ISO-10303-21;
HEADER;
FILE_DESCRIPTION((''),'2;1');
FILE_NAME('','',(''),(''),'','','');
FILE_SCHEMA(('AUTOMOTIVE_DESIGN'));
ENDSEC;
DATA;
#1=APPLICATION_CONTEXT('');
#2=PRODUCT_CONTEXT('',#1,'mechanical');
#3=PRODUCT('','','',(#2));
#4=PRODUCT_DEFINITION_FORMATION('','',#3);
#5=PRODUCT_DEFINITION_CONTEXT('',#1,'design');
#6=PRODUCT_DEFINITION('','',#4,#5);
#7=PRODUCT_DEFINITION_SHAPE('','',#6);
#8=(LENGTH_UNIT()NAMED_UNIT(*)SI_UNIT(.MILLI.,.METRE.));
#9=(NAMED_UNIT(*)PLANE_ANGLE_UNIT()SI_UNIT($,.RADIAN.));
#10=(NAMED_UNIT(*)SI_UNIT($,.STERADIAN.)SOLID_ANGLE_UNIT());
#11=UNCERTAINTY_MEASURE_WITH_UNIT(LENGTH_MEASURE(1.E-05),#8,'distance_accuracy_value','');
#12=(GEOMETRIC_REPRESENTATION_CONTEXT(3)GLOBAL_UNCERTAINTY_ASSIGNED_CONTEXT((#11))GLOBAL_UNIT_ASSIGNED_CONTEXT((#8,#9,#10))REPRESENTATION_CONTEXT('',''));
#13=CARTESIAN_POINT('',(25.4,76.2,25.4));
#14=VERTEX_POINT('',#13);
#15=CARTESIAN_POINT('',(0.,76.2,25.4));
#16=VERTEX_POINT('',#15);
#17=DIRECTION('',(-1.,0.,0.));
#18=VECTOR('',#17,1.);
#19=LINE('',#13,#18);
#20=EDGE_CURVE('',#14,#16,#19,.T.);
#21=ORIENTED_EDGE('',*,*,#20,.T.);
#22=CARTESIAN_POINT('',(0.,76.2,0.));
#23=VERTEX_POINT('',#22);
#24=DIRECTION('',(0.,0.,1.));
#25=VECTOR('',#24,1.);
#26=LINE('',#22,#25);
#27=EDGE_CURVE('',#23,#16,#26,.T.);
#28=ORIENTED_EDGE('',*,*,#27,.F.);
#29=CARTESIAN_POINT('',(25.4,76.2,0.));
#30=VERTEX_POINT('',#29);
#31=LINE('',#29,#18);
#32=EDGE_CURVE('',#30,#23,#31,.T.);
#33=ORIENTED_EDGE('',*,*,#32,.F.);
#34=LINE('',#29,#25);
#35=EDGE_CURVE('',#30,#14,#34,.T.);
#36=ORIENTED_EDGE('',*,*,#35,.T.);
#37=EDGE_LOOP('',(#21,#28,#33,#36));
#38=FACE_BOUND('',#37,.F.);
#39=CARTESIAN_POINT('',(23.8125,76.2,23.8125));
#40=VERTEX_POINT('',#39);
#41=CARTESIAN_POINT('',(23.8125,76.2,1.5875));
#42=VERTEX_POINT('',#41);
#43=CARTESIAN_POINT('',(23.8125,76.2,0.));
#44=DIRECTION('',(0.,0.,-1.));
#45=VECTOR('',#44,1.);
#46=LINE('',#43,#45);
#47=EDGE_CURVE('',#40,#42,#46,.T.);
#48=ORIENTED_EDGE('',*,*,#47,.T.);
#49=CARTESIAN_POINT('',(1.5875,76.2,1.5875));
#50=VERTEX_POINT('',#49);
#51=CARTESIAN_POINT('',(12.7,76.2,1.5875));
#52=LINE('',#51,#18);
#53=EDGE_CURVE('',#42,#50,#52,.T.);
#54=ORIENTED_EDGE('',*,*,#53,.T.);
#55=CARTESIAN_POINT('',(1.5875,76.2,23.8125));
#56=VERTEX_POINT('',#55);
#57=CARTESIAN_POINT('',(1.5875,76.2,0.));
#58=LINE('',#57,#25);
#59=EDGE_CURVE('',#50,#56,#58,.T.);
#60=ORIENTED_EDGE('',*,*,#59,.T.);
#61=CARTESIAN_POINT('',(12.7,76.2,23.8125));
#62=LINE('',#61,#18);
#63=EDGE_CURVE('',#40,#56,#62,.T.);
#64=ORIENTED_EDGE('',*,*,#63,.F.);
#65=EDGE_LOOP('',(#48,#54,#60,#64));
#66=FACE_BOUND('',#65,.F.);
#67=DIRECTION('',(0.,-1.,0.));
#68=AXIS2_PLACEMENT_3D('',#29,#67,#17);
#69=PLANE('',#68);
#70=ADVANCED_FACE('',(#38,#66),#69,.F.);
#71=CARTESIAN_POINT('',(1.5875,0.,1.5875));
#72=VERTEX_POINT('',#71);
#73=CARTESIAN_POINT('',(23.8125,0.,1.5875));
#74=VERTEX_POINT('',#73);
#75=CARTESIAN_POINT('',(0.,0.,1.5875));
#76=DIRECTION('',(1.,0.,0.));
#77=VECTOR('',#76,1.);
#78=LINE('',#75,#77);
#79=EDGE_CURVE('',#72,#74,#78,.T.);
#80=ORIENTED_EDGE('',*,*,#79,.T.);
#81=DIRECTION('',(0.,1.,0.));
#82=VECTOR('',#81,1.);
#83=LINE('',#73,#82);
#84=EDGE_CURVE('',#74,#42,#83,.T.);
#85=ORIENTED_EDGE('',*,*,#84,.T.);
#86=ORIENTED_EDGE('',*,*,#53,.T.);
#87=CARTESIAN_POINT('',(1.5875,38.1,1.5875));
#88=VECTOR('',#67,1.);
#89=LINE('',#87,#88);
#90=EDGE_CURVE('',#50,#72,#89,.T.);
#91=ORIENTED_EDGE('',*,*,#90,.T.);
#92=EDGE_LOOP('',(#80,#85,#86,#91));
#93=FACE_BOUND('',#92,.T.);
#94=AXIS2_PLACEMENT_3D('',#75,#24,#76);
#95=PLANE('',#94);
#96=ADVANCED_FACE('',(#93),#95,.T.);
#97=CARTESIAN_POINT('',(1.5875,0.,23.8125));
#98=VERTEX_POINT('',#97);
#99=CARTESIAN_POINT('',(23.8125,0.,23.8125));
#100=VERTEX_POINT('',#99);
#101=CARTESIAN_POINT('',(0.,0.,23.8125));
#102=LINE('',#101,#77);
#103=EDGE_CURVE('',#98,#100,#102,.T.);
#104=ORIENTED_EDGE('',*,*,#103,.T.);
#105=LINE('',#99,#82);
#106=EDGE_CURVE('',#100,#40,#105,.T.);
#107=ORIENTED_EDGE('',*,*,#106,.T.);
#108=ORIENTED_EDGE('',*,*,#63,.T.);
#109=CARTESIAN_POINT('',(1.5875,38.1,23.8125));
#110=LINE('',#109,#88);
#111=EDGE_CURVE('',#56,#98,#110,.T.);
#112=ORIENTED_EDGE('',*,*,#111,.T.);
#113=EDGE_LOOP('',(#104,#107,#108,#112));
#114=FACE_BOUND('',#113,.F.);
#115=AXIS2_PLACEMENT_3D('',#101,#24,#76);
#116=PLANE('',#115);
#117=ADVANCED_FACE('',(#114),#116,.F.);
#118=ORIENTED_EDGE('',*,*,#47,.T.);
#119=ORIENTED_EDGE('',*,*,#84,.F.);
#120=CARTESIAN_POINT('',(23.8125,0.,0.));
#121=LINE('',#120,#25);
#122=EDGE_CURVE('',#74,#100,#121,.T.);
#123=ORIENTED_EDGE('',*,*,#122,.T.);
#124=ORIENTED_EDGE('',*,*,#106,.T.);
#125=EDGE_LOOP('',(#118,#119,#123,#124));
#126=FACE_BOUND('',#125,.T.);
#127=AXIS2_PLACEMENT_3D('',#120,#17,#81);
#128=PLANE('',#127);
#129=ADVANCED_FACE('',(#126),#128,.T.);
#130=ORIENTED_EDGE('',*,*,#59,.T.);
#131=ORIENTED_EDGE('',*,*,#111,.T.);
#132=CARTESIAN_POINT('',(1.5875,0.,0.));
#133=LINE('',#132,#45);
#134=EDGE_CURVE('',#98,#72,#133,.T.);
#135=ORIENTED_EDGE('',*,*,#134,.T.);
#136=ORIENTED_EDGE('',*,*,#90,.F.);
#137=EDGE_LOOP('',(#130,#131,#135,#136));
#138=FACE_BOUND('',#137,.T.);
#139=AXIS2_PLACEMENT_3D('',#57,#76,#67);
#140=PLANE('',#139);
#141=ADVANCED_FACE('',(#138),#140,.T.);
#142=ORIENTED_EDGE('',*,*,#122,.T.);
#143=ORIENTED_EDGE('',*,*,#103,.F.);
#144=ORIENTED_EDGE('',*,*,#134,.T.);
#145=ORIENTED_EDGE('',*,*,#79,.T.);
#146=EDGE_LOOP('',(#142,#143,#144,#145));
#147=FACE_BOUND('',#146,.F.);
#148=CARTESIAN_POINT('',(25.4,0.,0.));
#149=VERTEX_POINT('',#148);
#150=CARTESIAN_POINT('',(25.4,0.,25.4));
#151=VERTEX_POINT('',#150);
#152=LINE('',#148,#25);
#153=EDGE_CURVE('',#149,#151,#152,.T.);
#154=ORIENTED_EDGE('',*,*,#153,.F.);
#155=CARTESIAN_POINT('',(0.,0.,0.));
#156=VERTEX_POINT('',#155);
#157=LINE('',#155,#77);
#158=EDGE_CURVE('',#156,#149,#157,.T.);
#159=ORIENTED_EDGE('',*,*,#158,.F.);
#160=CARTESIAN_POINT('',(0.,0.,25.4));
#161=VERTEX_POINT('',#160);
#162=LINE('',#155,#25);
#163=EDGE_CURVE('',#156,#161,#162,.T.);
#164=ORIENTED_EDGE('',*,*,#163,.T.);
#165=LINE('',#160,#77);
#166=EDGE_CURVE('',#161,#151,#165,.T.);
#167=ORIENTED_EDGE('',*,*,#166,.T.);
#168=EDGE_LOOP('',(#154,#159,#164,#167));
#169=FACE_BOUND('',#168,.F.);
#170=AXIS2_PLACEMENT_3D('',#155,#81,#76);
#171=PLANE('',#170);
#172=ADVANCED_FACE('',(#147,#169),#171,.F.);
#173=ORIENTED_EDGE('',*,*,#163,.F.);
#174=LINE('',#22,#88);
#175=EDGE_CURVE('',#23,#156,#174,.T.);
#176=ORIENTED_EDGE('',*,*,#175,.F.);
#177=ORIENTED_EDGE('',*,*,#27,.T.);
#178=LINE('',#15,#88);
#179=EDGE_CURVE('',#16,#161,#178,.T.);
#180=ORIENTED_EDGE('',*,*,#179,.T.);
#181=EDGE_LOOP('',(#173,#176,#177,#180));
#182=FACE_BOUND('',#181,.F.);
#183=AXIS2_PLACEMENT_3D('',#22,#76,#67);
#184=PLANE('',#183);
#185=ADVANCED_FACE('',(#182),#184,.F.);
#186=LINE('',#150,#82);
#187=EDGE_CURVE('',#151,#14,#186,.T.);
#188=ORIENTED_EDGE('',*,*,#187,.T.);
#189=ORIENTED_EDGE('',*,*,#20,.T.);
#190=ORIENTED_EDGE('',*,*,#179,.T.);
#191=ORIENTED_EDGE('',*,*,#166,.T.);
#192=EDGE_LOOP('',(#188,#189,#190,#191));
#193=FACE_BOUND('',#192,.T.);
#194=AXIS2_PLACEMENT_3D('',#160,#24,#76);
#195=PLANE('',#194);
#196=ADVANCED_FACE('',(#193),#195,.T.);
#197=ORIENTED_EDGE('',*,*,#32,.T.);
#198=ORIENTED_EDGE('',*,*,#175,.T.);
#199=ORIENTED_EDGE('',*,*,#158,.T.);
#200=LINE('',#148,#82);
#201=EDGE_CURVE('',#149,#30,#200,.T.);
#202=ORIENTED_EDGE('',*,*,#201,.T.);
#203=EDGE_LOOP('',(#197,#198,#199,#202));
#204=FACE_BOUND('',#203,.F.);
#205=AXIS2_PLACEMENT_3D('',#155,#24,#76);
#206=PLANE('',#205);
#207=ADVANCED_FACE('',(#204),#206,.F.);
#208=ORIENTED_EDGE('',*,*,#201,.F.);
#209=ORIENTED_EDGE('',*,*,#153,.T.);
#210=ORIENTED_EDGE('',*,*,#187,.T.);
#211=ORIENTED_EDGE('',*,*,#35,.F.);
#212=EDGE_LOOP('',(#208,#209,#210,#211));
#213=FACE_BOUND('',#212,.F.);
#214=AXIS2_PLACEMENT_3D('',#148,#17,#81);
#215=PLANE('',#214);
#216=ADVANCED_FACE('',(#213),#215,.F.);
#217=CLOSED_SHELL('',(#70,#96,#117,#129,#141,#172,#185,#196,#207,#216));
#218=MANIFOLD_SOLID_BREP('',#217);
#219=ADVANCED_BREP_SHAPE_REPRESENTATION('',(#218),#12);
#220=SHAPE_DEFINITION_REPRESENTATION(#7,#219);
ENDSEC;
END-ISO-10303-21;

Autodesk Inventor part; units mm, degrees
ref_plane "YZ Plane" through (0, 0, 0) normal (1, 0, 0) x (0, 1, 0)
ref_plane "XZ Plane" through (0, 0, 0) normal (0, 1, 0) x (-1, 0, 0)
ref_plane "XY Plane" through (0, 0, 0) normal (0, 0, 1) x (1, 0, 0)
sketch "Sketch1" plane through (0, 0, 0) normal (0, 0, 1) x (1, 0, 0)
  line L0 (0, 0) -> (25.4, 0)
  line L1 (25.4, 0) -> (25.4, 76.2)
  line L2 (25.4, 76.2) -> (0, 76.2)
  line L3 (0, 76.2) -> (0, 0)
  dimension "d0" = 25.4
  dimension "d1" = 76.2
extrude "Extrusion1" add sketch "Sketch1" along normal blind 25.4
shell "Shell1" thickness 1.5875 removed faces 2 at (16.9333, 76.2, 16.9333) at (8.4667, 0, 8.4667)
properties part number "Frame_VerticalConveyor_5in" material "Aluminum-6061"
